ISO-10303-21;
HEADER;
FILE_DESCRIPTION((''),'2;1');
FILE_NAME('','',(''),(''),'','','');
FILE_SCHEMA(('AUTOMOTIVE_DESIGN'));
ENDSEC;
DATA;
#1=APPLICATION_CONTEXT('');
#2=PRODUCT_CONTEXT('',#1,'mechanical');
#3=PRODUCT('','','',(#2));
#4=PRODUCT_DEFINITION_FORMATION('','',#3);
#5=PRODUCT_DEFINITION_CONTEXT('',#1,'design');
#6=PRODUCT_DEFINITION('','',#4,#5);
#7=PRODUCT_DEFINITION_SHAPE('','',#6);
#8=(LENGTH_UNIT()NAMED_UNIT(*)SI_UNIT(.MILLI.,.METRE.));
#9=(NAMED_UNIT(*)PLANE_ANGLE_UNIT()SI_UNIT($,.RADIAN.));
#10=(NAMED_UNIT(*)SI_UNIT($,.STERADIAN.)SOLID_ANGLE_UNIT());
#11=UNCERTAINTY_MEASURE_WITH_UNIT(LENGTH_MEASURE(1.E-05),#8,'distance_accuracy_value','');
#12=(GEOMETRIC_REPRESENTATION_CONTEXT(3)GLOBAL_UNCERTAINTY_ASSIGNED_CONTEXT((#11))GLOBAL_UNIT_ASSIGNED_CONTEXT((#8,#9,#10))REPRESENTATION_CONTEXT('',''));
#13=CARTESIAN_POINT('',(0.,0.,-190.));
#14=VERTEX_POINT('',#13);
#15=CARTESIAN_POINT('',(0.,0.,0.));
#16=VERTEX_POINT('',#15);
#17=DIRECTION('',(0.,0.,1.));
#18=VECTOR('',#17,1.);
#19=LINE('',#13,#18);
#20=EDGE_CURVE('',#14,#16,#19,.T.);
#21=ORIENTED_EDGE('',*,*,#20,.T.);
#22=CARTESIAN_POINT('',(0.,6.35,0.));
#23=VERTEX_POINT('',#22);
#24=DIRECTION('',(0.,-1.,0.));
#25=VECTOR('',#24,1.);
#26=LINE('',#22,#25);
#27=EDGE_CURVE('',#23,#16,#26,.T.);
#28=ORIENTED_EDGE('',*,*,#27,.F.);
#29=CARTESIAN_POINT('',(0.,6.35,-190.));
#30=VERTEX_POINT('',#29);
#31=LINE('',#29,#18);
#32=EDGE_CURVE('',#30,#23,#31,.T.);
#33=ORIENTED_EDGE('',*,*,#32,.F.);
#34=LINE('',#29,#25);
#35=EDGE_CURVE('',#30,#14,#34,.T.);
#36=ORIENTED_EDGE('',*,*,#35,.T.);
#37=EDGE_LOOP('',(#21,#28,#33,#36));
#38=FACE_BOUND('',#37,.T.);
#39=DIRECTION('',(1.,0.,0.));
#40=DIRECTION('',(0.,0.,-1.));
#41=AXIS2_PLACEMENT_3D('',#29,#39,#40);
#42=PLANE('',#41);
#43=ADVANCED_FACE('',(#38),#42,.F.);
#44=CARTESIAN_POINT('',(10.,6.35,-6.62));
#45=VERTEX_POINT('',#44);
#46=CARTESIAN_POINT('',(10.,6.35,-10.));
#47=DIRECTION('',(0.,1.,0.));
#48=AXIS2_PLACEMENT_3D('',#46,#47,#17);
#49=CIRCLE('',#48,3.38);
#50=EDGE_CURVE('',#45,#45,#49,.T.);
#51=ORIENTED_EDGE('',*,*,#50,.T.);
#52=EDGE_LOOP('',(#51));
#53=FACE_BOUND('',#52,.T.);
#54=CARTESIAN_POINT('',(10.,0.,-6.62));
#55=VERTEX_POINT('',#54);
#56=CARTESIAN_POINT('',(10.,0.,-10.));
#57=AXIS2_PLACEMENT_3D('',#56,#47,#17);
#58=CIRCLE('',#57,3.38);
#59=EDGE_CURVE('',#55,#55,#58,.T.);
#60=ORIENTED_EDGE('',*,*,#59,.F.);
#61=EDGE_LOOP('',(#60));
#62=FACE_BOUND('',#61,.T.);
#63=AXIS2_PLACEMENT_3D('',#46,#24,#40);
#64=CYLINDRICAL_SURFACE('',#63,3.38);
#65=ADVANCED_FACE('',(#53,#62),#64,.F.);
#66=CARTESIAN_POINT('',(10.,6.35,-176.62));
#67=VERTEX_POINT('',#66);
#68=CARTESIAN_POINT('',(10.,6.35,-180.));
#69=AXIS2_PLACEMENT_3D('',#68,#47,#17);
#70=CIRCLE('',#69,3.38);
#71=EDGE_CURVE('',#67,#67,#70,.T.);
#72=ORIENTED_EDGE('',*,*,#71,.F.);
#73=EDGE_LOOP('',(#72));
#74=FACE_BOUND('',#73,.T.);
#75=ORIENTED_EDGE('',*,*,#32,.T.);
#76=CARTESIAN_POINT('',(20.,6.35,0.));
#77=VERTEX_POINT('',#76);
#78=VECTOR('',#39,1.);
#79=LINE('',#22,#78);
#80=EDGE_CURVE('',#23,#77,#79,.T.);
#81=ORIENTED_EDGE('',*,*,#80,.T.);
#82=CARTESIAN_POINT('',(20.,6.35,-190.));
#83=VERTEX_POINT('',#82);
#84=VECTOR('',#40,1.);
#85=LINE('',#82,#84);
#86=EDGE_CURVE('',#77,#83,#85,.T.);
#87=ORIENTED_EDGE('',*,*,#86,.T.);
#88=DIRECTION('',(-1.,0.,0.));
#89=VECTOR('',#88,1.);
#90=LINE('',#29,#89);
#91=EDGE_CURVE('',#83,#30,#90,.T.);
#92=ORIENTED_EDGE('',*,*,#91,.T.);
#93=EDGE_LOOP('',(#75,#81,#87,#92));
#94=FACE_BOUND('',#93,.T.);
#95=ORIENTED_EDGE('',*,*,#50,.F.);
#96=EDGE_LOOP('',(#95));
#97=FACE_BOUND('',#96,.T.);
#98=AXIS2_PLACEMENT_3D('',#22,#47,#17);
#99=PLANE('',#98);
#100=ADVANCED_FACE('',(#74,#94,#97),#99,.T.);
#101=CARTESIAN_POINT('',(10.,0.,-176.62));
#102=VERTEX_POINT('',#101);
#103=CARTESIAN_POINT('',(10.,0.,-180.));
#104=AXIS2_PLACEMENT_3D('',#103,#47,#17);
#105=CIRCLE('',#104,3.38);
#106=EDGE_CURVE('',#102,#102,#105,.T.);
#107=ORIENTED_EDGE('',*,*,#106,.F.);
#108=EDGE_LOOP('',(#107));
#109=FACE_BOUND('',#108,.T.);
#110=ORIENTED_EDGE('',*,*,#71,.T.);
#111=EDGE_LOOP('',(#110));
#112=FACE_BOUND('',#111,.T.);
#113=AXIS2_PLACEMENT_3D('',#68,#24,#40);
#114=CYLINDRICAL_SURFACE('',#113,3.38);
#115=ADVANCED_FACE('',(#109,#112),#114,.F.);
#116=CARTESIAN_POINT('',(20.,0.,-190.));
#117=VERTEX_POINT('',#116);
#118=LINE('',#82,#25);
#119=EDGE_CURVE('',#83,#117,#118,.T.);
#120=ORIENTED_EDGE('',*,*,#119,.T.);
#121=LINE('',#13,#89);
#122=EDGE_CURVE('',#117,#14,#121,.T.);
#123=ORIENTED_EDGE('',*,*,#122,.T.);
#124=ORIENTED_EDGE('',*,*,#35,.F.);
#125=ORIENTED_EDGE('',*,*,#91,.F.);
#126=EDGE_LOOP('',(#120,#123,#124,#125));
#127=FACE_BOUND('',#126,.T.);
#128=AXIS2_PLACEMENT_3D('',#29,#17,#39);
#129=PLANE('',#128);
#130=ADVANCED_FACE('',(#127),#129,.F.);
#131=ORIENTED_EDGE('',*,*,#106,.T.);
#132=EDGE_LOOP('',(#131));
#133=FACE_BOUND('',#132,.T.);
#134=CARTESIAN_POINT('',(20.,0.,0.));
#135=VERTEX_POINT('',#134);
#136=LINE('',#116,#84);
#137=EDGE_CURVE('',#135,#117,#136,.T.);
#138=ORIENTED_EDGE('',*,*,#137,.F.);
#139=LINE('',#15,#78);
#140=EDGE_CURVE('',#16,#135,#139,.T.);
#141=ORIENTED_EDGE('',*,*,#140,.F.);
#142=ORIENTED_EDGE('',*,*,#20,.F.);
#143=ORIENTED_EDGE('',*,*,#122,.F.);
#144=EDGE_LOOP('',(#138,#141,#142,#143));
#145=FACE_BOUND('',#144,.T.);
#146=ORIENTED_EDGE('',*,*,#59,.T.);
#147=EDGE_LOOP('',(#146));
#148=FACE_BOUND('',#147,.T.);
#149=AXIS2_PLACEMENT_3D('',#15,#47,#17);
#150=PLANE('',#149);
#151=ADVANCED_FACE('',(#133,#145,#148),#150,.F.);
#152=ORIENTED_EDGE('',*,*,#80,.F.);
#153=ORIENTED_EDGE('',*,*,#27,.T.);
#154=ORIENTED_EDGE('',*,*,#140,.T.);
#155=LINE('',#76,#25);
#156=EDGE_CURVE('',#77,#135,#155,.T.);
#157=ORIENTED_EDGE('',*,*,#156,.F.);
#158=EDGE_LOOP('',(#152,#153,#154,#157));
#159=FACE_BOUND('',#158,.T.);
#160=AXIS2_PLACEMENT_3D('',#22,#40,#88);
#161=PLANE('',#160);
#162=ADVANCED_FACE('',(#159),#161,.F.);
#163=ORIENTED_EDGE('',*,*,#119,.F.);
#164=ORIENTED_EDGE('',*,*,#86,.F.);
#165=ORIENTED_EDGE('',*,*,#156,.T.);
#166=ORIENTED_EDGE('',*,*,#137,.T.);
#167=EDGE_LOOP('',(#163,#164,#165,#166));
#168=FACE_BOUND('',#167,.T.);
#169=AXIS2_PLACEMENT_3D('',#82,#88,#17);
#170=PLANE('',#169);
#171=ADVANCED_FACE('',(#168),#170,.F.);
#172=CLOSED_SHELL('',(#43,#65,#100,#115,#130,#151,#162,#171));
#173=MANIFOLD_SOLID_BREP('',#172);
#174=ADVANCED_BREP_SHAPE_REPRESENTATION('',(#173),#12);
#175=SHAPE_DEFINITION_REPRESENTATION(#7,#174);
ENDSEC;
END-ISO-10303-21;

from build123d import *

# Parameters (mm, degrees)
SKETCH1_W           = 20
SKETCH1_H           = 190
SKETCH1_R           = 3.38
BOSS_EXTRUDE1_DEPTH = 6.35


with BuildPart() as part:
    # Sketch1 → Boss-Extrude1 (new body)
    with BuildSketch(Plane(origin=(0, 0, 0), x_dir=(1, 0, 0), z_dir=(0, 1, 0))):
        with Locations((10, 95)):
            Rectangle(SKETCH1_W, SKETCH1_H)
        with Locations((10, 10)):
            Circle(SKETCH1_R, mode=Mode.SUBTRACT)
        with Locations((10, 180)):
            Circle(SKETCH1_R, mode=Mode.SUBTRACT)
    extrude(amount=BOSS_EXTRUDE1_DEPTH)


solid = part.part
